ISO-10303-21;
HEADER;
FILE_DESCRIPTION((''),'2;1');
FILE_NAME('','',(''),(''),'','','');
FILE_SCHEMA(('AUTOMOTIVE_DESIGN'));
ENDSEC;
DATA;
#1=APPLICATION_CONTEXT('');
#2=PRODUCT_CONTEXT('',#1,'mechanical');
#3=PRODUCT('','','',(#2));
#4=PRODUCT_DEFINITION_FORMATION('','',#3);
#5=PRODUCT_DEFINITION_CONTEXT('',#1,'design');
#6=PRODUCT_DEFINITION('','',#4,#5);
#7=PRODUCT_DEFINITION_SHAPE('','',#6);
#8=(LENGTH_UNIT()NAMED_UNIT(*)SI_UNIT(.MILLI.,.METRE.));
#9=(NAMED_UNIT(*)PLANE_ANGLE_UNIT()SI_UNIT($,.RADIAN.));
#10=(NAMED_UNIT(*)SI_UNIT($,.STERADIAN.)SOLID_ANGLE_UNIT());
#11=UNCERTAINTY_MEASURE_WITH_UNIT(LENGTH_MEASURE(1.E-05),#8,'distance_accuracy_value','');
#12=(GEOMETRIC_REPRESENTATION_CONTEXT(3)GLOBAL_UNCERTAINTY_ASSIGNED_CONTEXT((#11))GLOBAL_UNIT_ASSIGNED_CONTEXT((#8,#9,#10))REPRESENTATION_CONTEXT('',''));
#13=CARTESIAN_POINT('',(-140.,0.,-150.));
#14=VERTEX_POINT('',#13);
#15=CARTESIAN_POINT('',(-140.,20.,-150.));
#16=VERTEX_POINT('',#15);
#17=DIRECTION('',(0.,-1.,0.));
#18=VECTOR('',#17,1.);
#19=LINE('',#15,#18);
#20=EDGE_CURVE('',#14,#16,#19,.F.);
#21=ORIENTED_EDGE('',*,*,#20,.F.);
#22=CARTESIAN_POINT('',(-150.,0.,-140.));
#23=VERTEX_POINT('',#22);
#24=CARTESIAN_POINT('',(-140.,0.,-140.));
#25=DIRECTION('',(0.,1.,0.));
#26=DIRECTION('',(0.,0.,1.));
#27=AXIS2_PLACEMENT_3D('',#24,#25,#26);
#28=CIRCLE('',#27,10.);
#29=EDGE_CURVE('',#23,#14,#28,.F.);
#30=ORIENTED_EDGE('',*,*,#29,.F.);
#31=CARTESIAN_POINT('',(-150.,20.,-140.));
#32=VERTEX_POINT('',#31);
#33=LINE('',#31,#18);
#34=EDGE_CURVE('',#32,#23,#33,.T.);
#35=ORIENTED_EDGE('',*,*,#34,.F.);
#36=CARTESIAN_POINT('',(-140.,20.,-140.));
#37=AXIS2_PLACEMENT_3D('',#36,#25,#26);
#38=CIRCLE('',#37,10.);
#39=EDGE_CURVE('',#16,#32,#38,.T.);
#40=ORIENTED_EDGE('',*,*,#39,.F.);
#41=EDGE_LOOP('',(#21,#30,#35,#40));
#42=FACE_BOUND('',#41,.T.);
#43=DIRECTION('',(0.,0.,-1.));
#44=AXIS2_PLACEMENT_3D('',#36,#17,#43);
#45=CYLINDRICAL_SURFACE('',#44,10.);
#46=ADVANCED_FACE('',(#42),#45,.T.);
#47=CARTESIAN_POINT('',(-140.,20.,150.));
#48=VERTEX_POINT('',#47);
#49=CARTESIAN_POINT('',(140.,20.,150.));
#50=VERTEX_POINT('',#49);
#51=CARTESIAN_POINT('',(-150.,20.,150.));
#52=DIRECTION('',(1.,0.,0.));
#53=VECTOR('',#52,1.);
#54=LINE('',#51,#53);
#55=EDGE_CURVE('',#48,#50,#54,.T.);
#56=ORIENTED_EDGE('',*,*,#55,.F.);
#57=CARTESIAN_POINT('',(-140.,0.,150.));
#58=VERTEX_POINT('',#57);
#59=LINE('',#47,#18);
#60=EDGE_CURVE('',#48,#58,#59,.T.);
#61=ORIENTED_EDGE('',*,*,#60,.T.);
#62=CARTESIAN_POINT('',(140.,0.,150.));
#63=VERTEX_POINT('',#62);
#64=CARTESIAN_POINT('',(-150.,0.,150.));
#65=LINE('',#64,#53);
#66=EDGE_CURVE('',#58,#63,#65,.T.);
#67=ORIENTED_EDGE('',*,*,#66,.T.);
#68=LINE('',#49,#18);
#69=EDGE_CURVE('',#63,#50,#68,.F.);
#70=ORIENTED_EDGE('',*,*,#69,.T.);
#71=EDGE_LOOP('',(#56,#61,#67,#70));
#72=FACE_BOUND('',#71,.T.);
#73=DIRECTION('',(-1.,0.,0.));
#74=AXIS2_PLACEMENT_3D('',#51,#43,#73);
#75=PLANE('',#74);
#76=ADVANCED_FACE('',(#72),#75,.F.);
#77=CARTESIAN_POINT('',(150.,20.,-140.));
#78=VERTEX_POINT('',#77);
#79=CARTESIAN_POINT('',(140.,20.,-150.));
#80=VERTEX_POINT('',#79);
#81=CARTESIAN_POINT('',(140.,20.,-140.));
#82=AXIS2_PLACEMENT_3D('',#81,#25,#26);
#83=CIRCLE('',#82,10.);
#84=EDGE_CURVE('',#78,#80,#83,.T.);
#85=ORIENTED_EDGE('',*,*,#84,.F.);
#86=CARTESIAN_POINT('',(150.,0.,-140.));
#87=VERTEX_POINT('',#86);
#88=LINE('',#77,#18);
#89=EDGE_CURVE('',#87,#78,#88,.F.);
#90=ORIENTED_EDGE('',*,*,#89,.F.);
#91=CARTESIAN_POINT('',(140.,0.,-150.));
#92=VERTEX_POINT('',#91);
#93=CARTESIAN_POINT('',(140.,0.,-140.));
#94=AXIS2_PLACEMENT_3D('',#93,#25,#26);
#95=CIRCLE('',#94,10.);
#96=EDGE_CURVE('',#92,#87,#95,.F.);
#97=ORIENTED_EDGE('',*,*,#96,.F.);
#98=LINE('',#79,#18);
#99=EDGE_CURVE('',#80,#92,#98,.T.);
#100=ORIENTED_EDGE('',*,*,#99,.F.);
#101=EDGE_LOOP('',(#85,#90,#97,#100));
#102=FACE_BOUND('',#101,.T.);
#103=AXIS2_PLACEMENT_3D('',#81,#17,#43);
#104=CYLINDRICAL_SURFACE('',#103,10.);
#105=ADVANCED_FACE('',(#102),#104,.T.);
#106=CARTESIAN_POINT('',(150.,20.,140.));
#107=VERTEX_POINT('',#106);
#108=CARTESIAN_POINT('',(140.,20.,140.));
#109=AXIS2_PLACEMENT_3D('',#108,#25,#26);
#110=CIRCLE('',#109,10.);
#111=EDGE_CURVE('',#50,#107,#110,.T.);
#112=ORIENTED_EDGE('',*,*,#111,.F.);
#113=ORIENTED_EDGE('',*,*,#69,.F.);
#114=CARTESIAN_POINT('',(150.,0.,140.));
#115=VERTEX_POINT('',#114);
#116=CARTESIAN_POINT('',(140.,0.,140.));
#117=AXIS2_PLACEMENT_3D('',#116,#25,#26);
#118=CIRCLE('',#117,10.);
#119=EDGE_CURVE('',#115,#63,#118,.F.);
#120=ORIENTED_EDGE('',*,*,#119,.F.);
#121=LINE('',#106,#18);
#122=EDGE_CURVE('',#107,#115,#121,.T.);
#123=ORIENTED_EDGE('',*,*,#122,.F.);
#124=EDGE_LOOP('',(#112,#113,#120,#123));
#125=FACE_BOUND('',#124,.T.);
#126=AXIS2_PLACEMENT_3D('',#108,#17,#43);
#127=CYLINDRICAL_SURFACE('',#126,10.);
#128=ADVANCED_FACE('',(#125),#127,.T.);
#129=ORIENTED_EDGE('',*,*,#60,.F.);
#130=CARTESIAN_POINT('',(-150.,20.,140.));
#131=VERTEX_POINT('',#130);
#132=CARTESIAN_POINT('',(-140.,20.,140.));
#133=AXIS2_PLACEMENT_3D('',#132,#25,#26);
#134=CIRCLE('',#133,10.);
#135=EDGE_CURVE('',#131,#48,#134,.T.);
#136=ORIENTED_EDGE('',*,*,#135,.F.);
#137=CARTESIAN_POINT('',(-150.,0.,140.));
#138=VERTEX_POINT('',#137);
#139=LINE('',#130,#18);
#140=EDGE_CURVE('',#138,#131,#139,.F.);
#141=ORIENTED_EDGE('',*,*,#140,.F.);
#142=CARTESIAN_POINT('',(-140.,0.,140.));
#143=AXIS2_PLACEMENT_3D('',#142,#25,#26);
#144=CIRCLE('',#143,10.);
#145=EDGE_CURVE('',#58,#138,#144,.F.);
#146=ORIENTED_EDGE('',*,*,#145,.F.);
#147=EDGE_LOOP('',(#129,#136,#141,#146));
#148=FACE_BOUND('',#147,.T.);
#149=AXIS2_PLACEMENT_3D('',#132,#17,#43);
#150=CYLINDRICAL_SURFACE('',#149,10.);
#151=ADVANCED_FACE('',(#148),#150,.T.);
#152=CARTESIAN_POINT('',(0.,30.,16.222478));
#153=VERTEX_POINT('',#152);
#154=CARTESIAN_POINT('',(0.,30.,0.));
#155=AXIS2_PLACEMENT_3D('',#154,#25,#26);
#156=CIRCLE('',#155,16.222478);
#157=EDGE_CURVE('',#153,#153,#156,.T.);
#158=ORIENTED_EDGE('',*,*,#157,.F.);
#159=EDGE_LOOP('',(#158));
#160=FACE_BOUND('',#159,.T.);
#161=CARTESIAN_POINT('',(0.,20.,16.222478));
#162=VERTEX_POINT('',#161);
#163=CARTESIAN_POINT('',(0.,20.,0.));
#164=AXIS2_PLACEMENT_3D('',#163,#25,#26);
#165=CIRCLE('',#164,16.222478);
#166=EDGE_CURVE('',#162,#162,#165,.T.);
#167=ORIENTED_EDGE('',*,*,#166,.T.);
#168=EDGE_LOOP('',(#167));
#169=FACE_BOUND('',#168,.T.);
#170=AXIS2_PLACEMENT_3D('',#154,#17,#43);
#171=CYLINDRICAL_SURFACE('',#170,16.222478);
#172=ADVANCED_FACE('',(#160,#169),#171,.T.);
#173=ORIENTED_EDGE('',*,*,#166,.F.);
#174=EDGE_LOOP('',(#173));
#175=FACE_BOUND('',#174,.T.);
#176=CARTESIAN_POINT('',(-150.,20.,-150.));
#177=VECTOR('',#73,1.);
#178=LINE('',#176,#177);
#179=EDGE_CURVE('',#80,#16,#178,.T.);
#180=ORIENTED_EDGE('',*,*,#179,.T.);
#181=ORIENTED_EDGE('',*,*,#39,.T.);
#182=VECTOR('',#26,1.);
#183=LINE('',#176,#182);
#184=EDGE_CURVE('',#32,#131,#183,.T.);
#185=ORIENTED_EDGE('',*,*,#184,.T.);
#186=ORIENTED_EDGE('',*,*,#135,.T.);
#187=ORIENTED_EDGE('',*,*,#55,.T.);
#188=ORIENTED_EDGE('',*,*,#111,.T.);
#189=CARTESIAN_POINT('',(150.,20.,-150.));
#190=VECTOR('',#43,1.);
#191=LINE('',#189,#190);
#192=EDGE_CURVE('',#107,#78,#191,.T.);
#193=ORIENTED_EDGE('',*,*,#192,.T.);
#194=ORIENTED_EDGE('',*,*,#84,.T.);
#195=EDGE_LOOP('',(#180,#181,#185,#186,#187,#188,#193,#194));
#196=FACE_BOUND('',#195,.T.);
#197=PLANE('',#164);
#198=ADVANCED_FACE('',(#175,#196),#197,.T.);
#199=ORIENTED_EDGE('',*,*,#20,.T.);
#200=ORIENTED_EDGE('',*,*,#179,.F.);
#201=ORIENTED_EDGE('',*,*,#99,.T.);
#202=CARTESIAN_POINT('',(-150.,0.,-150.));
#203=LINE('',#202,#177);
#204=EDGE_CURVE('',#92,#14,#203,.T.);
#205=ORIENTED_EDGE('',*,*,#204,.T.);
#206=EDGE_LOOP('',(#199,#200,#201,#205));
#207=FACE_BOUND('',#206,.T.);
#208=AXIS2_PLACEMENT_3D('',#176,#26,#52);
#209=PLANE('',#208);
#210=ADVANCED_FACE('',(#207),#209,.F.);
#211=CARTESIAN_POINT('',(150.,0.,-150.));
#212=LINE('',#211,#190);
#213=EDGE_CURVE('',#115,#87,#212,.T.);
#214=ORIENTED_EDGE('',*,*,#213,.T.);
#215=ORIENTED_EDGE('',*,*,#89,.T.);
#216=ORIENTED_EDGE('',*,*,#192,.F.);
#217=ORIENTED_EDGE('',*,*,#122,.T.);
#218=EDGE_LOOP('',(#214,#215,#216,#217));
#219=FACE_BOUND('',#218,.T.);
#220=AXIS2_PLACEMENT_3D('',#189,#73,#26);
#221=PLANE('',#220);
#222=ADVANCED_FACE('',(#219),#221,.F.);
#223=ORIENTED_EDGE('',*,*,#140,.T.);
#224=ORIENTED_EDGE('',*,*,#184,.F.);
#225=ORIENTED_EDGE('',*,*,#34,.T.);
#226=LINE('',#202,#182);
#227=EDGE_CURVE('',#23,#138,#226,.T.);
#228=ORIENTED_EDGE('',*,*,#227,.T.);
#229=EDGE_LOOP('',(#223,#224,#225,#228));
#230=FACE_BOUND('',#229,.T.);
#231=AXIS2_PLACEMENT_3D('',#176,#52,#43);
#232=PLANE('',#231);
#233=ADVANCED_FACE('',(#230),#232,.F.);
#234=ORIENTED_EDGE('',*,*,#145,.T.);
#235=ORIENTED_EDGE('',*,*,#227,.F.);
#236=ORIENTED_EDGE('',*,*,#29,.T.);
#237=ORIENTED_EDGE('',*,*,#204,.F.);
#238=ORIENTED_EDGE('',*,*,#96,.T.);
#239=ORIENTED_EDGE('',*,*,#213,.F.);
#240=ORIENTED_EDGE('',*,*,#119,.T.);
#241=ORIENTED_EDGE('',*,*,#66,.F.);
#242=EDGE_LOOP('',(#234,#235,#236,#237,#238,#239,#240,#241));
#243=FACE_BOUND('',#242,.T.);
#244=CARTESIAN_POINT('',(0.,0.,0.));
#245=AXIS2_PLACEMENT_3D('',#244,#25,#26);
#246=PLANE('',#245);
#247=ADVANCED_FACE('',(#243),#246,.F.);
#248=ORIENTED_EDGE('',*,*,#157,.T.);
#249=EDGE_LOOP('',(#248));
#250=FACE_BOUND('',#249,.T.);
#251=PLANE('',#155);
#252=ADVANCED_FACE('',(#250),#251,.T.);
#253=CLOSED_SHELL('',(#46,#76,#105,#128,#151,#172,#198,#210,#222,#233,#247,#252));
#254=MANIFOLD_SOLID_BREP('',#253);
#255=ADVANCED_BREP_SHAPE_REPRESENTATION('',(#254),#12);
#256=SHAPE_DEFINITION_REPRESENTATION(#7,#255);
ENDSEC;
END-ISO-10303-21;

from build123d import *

# Parameters (mm, degrees)
SKETCH1_W           = 300
SKETCH1_H           = 300
BOSS_EXTRUDE1_DEPTH = 20
FILLET1_R           = 10
SKETCH2_R           = 16.222477604
BOSS_EXTRUDE2_DEPTH = 10


with BuildPart() as part:
    # Sketch1 → Boss-Extrude1 (new body)
    with BuildSketch(Plane(origin=(0, 0, 0), x_dir=(1, 0, 0), z_dir=(0, 1, 0))):
        Rectangle(SKETCH1_W, SKETCH1_H)
    extrude(amount=BOSS_EXTRUDE1_DEPTH)

    # Fillet1
    fillet1_edges = [part.edges().sort_by_distance(p)[0] for p in [
        (150, 10, 150),
        (-150, 10, 150),
        (-150, 10, -150),
        (150, 10, -150),
    ]]
    fillet(fillet1_edges, radius=FILLET1_R)

    # Sketch2 → Boss-Extrude2 (add)
    with BuildSketch(Plane(origin=(0, 20, 0), x_dir=(1, 0, 0), z_dir=(0, 1, 0))):
        Circle(SKETCH2_R)
    extrude(amount=BOSS_EXTRUDE2_DEPTH)


solid = part.part
